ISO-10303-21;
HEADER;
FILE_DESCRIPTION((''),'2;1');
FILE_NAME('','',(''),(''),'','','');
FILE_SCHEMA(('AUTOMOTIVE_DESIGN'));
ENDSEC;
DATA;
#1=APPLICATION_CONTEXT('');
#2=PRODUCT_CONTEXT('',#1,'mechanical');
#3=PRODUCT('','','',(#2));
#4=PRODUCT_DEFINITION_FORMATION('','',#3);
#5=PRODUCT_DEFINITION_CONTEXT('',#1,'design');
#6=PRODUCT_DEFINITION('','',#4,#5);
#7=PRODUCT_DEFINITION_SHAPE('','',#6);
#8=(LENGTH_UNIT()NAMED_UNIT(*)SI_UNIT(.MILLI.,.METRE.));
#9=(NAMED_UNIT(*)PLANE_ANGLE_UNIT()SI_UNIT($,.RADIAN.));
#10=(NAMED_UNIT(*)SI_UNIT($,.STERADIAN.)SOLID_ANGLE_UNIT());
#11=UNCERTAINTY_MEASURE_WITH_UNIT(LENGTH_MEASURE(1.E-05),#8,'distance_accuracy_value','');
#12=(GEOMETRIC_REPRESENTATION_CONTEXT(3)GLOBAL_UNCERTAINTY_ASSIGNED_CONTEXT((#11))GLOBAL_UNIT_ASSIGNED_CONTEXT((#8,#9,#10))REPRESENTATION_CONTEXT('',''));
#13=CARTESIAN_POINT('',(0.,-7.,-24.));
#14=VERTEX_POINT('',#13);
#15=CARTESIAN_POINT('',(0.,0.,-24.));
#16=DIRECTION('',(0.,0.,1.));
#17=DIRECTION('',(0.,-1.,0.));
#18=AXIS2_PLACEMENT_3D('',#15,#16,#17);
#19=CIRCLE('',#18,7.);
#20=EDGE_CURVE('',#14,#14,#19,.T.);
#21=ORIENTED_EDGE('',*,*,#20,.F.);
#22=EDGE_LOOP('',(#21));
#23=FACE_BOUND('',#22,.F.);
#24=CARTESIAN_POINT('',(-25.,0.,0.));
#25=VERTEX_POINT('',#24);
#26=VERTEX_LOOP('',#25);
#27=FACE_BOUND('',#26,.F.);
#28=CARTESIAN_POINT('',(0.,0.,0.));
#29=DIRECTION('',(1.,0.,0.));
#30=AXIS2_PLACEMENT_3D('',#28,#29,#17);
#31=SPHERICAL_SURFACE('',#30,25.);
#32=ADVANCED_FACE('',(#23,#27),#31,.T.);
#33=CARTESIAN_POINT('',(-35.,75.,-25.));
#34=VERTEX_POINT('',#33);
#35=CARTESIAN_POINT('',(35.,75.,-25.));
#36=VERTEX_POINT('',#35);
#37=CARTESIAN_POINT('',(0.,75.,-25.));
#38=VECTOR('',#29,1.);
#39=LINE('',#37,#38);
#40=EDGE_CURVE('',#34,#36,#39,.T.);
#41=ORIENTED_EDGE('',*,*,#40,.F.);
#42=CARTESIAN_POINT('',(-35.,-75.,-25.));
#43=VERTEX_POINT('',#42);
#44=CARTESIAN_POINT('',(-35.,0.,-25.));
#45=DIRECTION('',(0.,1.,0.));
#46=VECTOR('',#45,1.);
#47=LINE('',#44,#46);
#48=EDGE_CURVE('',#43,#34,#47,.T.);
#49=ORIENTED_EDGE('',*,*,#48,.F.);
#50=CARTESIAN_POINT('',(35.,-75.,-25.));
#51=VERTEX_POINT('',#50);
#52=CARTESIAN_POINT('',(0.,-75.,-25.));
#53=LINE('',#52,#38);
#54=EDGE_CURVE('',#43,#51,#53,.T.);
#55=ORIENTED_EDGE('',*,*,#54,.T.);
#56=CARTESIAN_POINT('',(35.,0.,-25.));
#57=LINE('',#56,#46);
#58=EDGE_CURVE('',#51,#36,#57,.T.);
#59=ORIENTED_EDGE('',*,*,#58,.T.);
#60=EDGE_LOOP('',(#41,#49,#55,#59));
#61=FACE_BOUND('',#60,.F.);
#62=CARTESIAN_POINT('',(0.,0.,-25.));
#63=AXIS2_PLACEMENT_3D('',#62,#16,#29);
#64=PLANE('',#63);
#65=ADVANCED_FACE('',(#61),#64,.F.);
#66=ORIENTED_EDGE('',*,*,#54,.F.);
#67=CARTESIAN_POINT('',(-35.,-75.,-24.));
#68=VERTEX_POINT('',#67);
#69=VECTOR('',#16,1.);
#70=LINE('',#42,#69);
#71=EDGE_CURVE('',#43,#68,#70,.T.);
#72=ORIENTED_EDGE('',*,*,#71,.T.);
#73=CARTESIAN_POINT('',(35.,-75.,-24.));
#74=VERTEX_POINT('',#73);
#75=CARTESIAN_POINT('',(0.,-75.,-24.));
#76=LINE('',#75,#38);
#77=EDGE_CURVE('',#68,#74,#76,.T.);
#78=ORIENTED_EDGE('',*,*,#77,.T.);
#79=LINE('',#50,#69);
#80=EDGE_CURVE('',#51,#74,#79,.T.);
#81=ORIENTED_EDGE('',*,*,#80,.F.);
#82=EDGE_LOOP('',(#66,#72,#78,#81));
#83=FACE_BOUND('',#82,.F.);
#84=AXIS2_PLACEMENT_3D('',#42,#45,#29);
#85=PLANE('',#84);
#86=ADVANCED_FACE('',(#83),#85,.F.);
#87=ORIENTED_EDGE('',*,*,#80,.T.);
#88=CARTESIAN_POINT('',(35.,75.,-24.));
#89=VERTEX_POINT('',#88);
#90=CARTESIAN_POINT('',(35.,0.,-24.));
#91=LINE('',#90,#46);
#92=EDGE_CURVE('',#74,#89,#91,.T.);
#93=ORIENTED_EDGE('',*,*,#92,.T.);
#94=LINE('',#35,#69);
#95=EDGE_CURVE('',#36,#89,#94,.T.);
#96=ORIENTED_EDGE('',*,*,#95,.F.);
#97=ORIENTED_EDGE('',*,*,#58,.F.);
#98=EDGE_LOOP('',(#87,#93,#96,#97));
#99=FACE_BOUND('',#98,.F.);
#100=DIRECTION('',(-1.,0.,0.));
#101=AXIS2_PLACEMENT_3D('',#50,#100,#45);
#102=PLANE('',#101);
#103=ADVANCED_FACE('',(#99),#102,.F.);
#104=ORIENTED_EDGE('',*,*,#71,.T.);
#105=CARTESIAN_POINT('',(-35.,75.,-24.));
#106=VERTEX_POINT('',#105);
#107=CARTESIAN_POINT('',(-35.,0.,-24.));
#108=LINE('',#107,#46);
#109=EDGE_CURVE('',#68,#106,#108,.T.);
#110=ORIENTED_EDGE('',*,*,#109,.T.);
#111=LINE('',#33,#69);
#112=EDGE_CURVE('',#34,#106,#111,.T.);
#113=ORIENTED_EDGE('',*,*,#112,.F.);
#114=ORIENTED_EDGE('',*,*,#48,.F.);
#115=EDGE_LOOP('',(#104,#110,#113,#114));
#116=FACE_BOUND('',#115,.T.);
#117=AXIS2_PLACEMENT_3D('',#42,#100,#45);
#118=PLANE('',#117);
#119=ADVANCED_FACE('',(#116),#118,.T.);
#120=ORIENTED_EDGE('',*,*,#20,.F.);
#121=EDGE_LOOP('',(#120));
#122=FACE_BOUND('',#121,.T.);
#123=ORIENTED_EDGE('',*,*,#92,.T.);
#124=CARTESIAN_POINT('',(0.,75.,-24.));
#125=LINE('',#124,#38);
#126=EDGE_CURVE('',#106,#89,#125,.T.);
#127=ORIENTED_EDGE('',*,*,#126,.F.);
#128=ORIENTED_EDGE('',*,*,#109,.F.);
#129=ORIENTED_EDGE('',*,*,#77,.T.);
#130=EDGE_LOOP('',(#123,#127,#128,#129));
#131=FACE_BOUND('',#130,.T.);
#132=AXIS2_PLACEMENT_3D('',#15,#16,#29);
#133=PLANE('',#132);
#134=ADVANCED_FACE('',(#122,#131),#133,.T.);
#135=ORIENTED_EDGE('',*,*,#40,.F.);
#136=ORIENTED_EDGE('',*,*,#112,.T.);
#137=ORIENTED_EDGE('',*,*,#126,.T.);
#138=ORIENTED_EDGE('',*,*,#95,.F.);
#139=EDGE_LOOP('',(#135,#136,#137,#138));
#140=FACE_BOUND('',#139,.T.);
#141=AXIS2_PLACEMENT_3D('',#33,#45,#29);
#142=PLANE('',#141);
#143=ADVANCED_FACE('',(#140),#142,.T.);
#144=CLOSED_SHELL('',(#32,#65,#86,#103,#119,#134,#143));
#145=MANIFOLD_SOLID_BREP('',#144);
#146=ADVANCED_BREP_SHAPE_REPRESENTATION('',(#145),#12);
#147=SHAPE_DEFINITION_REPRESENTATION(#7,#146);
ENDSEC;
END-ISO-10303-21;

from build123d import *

# Parameters (mm, degrees)
F3_W     = 70
F3_H     = 150
F4_DEPTH = 1


with BuildPart() as f1:
    # F0 (on Top) → F1 (revolve)
    with BuildSketch(Plane.XY):
        with BuildLine():
            Line((25, 0), (-25, 0))
            ThreePointArc((-25, 0), (0, -25), (25, 0))
        make_face()
    revolve(axis=Axis((-12.6515265554, 0, 0), (-1, 0, 0)))

    # F3 (on offset) → F4 (join)
    with BuildSketch(Plane.XY.offset(-25)):
        Rectangle(F3_W, F3_H)
    extrude(amount=F4_DEPTH)


solid = f1.part
